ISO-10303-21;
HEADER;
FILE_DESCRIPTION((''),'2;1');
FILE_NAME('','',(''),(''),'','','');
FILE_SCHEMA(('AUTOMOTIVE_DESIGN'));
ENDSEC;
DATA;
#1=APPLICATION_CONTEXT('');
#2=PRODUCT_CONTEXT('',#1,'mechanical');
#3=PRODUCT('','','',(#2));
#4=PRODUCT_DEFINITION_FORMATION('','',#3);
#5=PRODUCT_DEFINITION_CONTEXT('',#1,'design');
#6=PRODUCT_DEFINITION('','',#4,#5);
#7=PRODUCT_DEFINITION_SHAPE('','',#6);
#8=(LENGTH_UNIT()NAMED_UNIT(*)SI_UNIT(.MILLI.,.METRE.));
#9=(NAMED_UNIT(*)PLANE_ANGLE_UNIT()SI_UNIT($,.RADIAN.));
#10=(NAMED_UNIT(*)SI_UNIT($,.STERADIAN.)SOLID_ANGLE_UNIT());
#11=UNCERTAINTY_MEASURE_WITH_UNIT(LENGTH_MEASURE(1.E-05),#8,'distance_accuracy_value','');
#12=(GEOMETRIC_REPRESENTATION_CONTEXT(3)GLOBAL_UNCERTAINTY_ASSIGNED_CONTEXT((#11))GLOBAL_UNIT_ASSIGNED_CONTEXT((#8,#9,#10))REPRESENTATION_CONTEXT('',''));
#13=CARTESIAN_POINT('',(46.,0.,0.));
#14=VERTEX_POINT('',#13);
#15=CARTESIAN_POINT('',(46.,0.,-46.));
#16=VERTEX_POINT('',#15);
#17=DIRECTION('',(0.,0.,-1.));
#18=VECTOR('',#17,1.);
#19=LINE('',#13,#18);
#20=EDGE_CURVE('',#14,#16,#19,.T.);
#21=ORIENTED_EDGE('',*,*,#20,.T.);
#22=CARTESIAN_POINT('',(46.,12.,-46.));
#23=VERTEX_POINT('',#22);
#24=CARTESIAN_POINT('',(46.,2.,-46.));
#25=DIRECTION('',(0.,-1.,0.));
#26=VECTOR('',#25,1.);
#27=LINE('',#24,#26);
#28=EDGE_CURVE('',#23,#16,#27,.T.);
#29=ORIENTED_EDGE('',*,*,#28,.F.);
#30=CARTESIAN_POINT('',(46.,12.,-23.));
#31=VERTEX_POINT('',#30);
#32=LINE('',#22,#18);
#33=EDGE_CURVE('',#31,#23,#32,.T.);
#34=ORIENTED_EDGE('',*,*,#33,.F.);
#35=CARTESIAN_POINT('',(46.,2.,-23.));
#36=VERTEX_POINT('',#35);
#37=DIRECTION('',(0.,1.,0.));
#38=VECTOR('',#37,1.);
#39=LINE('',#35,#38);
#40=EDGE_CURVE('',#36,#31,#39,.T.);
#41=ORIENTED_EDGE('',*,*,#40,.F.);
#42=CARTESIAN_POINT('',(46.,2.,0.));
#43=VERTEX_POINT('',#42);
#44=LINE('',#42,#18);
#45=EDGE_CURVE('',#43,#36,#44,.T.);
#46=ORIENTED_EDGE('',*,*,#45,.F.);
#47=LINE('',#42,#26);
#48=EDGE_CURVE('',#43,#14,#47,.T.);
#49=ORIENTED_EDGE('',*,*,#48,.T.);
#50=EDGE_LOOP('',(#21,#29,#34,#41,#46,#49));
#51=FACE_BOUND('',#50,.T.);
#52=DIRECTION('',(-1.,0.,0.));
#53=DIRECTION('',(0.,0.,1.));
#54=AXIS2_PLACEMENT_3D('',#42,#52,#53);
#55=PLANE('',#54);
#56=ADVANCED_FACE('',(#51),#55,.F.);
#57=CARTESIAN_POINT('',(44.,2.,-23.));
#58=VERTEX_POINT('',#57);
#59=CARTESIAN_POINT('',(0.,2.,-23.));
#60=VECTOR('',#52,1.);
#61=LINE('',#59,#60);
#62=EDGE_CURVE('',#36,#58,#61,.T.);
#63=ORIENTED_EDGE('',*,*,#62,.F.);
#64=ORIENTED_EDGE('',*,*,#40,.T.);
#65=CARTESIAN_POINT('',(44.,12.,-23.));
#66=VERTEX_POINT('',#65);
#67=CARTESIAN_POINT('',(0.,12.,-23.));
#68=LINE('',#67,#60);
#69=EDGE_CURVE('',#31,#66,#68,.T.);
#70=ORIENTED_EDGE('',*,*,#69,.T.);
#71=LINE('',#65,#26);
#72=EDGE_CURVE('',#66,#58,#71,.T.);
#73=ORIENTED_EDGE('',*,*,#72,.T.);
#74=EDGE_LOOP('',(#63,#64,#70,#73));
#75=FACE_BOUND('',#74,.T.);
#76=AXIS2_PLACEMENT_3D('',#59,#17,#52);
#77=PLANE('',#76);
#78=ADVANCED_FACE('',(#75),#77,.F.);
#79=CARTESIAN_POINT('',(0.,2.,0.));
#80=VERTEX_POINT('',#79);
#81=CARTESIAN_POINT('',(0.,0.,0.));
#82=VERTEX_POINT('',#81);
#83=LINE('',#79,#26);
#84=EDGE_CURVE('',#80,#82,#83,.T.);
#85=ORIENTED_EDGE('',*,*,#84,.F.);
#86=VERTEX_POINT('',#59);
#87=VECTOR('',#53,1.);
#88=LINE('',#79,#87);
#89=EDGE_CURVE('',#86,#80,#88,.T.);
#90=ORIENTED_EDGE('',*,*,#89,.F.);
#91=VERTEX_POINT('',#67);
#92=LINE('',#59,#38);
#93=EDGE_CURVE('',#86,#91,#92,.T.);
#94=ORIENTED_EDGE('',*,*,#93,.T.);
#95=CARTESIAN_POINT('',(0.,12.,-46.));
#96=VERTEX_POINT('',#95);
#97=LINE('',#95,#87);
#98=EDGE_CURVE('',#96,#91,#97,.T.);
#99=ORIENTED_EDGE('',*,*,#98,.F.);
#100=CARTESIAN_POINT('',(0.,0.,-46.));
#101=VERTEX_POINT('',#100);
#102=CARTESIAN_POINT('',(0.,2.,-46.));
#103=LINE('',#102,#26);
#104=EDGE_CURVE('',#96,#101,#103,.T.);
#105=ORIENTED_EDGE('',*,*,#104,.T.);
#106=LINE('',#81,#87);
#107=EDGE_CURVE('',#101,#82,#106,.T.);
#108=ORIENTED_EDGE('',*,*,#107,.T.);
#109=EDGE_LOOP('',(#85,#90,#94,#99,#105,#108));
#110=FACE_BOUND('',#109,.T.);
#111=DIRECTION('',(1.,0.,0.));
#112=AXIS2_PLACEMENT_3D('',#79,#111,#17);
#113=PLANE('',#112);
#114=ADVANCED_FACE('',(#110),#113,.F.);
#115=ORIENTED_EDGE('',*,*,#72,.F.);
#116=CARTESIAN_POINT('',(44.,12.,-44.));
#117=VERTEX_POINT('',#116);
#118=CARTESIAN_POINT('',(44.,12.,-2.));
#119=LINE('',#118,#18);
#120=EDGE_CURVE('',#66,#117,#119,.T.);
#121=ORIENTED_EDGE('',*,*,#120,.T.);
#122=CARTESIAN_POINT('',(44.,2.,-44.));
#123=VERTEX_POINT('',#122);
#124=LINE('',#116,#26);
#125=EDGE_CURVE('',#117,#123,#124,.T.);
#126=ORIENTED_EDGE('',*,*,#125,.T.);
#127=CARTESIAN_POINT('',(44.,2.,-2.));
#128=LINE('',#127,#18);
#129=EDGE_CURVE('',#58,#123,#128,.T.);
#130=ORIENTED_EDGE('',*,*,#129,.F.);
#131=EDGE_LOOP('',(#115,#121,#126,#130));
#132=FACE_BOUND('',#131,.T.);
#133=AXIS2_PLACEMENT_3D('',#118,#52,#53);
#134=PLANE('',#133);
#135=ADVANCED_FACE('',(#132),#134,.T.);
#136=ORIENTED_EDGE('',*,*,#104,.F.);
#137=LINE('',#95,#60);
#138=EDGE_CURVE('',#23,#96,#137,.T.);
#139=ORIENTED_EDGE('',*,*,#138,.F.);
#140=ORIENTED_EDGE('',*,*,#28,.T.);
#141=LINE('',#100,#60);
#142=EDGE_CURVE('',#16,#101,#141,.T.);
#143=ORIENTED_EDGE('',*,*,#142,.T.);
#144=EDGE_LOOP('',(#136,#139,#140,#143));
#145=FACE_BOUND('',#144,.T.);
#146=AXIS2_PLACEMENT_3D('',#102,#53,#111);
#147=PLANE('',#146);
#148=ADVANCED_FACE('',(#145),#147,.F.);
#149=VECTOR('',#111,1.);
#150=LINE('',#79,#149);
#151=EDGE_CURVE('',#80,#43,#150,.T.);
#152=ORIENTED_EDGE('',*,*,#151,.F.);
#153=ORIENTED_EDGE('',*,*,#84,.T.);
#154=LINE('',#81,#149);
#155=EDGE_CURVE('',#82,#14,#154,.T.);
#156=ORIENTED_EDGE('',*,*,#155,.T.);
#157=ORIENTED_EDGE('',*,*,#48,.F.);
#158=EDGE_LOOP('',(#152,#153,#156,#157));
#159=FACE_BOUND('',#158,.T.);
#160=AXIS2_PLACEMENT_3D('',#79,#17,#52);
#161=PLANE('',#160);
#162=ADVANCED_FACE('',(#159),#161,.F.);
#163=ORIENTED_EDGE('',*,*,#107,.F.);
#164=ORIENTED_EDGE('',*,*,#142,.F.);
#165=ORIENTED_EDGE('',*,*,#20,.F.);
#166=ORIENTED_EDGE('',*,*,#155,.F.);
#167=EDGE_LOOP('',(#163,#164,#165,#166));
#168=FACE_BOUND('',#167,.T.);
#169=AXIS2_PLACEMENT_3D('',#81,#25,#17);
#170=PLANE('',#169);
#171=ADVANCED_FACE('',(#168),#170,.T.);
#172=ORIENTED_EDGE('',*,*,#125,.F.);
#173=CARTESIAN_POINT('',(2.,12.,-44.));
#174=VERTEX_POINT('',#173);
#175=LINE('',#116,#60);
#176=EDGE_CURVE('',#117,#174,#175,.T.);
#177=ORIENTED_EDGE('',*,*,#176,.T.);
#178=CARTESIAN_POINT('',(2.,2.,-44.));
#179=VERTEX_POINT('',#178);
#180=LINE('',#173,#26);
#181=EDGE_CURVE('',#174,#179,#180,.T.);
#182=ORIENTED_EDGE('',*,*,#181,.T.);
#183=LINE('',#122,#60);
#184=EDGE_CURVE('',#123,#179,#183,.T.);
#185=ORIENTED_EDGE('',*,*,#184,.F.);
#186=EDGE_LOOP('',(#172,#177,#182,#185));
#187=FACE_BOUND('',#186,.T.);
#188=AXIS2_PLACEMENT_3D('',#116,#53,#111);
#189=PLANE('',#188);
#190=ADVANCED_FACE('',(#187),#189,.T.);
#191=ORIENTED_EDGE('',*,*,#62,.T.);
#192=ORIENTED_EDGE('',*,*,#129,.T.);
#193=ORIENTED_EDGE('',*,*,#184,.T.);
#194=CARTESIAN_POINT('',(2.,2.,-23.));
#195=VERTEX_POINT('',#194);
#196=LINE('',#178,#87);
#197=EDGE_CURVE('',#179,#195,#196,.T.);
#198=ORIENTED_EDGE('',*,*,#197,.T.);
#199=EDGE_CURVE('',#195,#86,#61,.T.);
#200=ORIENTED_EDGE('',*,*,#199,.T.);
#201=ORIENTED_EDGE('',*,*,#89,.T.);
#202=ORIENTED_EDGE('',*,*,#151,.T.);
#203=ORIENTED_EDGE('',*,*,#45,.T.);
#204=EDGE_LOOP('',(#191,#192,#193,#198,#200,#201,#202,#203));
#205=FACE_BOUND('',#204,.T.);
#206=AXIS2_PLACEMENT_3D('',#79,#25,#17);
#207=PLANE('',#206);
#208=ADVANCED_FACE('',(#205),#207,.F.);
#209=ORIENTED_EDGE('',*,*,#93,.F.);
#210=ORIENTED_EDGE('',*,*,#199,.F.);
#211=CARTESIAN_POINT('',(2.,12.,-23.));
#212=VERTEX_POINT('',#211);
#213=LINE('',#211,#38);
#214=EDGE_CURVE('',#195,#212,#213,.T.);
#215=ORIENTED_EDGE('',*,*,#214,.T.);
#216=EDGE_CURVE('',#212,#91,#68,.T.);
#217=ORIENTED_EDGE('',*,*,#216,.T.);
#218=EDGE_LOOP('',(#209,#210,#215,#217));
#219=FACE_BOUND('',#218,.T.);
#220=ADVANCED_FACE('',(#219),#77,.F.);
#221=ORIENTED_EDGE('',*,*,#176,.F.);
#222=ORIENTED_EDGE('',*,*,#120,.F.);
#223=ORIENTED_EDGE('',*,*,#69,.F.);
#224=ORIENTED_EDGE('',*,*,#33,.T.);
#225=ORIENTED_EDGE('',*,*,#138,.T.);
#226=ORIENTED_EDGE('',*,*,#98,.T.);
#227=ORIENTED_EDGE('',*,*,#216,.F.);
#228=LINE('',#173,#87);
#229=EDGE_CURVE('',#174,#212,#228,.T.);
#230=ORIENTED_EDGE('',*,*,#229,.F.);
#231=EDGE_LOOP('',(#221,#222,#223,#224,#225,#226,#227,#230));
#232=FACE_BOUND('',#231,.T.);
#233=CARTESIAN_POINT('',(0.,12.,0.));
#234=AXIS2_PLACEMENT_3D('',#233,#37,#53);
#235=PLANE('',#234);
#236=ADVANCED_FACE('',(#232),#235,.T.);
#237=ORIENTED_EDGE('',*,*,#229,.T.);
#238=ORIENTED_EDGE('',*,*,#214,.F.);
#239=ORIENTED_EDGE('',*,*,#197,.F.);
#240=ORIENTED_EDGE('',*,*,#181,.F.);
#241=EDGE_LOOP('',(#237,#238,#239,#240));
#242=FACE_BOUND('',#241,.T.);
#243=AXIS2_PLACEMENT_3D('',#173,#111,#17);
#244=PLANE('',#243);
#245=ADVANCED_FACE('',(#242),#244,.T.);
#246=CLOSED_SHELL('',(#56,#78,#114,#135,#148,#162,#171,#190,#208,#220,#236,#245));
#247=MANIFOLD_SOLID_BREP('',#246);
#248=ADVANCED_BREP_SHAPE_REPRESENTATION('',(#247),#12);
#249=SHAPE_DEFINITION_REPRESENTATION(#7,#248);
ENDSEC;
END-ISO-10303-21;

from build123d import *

# Parameters (mm, degrees)
SKETCH1_W           = 46
SKETCH1_H           = 46
BOSS_EXTRUDE1_DEPTH = 2
SKETCH2_W           = 46
SKETCH2_H           = 46
SKETCH2_W_2         = 42
SKETCH2_H_2         = 42
BOSS_EXTRUDE2_DEPTH = 10
SKETCH3_W           = 46
SKETCH3_H           = 23
CUT_EXTRUDE1_DEPTH  = 10


with BuildPart() as part:
    # Sketch1 → Boss-Extrude1 (new body)
    with BuildSketch(Plane(origin=(0, 0, 0), x_dir=(1, 0, 0), z_dir=(0, 1, 0))):
        with Locations((23, 23)):
            Rectangle(SKETCH1_W, SKETCH1_H)
    extrude(amount=BOSS_EXTRUDE1_DEPTH)

    # Sketch2 → Boss-Extrude2 (add)
    with BuildSketch(Plane(origin=(0, 2, 0), x_dir=(1, 0, 0), z_dir=(0, 1, 0))):
        with Locations((23, 23)):
            Rectangle(SKETCH2_W, SKETCH2_H)
        with Locations((23, 23)):
            Rectangle(SKETCH2_W_2, SKETCH2_H_2, mode=Mode.SUBTRACT)
    extrude(amount=BOSS_EXTRUDE2_DEPTH)

    # Sketch3 → Cut-Extrude1 (cut)
    with BuildSketch(Plane(origin=(0, 12, 0), x_dir=(1, 0, 0), z_dir=(0, 1, 0))):
        with Locations((23, 11.5)):
            Rectangle(SKETCH3_W, SKETCH3_H)
    extrude(amount=-CUT_EXTRUDE1_DEPTH, mode=Mode.SUBTRACT)


solid = part.part
